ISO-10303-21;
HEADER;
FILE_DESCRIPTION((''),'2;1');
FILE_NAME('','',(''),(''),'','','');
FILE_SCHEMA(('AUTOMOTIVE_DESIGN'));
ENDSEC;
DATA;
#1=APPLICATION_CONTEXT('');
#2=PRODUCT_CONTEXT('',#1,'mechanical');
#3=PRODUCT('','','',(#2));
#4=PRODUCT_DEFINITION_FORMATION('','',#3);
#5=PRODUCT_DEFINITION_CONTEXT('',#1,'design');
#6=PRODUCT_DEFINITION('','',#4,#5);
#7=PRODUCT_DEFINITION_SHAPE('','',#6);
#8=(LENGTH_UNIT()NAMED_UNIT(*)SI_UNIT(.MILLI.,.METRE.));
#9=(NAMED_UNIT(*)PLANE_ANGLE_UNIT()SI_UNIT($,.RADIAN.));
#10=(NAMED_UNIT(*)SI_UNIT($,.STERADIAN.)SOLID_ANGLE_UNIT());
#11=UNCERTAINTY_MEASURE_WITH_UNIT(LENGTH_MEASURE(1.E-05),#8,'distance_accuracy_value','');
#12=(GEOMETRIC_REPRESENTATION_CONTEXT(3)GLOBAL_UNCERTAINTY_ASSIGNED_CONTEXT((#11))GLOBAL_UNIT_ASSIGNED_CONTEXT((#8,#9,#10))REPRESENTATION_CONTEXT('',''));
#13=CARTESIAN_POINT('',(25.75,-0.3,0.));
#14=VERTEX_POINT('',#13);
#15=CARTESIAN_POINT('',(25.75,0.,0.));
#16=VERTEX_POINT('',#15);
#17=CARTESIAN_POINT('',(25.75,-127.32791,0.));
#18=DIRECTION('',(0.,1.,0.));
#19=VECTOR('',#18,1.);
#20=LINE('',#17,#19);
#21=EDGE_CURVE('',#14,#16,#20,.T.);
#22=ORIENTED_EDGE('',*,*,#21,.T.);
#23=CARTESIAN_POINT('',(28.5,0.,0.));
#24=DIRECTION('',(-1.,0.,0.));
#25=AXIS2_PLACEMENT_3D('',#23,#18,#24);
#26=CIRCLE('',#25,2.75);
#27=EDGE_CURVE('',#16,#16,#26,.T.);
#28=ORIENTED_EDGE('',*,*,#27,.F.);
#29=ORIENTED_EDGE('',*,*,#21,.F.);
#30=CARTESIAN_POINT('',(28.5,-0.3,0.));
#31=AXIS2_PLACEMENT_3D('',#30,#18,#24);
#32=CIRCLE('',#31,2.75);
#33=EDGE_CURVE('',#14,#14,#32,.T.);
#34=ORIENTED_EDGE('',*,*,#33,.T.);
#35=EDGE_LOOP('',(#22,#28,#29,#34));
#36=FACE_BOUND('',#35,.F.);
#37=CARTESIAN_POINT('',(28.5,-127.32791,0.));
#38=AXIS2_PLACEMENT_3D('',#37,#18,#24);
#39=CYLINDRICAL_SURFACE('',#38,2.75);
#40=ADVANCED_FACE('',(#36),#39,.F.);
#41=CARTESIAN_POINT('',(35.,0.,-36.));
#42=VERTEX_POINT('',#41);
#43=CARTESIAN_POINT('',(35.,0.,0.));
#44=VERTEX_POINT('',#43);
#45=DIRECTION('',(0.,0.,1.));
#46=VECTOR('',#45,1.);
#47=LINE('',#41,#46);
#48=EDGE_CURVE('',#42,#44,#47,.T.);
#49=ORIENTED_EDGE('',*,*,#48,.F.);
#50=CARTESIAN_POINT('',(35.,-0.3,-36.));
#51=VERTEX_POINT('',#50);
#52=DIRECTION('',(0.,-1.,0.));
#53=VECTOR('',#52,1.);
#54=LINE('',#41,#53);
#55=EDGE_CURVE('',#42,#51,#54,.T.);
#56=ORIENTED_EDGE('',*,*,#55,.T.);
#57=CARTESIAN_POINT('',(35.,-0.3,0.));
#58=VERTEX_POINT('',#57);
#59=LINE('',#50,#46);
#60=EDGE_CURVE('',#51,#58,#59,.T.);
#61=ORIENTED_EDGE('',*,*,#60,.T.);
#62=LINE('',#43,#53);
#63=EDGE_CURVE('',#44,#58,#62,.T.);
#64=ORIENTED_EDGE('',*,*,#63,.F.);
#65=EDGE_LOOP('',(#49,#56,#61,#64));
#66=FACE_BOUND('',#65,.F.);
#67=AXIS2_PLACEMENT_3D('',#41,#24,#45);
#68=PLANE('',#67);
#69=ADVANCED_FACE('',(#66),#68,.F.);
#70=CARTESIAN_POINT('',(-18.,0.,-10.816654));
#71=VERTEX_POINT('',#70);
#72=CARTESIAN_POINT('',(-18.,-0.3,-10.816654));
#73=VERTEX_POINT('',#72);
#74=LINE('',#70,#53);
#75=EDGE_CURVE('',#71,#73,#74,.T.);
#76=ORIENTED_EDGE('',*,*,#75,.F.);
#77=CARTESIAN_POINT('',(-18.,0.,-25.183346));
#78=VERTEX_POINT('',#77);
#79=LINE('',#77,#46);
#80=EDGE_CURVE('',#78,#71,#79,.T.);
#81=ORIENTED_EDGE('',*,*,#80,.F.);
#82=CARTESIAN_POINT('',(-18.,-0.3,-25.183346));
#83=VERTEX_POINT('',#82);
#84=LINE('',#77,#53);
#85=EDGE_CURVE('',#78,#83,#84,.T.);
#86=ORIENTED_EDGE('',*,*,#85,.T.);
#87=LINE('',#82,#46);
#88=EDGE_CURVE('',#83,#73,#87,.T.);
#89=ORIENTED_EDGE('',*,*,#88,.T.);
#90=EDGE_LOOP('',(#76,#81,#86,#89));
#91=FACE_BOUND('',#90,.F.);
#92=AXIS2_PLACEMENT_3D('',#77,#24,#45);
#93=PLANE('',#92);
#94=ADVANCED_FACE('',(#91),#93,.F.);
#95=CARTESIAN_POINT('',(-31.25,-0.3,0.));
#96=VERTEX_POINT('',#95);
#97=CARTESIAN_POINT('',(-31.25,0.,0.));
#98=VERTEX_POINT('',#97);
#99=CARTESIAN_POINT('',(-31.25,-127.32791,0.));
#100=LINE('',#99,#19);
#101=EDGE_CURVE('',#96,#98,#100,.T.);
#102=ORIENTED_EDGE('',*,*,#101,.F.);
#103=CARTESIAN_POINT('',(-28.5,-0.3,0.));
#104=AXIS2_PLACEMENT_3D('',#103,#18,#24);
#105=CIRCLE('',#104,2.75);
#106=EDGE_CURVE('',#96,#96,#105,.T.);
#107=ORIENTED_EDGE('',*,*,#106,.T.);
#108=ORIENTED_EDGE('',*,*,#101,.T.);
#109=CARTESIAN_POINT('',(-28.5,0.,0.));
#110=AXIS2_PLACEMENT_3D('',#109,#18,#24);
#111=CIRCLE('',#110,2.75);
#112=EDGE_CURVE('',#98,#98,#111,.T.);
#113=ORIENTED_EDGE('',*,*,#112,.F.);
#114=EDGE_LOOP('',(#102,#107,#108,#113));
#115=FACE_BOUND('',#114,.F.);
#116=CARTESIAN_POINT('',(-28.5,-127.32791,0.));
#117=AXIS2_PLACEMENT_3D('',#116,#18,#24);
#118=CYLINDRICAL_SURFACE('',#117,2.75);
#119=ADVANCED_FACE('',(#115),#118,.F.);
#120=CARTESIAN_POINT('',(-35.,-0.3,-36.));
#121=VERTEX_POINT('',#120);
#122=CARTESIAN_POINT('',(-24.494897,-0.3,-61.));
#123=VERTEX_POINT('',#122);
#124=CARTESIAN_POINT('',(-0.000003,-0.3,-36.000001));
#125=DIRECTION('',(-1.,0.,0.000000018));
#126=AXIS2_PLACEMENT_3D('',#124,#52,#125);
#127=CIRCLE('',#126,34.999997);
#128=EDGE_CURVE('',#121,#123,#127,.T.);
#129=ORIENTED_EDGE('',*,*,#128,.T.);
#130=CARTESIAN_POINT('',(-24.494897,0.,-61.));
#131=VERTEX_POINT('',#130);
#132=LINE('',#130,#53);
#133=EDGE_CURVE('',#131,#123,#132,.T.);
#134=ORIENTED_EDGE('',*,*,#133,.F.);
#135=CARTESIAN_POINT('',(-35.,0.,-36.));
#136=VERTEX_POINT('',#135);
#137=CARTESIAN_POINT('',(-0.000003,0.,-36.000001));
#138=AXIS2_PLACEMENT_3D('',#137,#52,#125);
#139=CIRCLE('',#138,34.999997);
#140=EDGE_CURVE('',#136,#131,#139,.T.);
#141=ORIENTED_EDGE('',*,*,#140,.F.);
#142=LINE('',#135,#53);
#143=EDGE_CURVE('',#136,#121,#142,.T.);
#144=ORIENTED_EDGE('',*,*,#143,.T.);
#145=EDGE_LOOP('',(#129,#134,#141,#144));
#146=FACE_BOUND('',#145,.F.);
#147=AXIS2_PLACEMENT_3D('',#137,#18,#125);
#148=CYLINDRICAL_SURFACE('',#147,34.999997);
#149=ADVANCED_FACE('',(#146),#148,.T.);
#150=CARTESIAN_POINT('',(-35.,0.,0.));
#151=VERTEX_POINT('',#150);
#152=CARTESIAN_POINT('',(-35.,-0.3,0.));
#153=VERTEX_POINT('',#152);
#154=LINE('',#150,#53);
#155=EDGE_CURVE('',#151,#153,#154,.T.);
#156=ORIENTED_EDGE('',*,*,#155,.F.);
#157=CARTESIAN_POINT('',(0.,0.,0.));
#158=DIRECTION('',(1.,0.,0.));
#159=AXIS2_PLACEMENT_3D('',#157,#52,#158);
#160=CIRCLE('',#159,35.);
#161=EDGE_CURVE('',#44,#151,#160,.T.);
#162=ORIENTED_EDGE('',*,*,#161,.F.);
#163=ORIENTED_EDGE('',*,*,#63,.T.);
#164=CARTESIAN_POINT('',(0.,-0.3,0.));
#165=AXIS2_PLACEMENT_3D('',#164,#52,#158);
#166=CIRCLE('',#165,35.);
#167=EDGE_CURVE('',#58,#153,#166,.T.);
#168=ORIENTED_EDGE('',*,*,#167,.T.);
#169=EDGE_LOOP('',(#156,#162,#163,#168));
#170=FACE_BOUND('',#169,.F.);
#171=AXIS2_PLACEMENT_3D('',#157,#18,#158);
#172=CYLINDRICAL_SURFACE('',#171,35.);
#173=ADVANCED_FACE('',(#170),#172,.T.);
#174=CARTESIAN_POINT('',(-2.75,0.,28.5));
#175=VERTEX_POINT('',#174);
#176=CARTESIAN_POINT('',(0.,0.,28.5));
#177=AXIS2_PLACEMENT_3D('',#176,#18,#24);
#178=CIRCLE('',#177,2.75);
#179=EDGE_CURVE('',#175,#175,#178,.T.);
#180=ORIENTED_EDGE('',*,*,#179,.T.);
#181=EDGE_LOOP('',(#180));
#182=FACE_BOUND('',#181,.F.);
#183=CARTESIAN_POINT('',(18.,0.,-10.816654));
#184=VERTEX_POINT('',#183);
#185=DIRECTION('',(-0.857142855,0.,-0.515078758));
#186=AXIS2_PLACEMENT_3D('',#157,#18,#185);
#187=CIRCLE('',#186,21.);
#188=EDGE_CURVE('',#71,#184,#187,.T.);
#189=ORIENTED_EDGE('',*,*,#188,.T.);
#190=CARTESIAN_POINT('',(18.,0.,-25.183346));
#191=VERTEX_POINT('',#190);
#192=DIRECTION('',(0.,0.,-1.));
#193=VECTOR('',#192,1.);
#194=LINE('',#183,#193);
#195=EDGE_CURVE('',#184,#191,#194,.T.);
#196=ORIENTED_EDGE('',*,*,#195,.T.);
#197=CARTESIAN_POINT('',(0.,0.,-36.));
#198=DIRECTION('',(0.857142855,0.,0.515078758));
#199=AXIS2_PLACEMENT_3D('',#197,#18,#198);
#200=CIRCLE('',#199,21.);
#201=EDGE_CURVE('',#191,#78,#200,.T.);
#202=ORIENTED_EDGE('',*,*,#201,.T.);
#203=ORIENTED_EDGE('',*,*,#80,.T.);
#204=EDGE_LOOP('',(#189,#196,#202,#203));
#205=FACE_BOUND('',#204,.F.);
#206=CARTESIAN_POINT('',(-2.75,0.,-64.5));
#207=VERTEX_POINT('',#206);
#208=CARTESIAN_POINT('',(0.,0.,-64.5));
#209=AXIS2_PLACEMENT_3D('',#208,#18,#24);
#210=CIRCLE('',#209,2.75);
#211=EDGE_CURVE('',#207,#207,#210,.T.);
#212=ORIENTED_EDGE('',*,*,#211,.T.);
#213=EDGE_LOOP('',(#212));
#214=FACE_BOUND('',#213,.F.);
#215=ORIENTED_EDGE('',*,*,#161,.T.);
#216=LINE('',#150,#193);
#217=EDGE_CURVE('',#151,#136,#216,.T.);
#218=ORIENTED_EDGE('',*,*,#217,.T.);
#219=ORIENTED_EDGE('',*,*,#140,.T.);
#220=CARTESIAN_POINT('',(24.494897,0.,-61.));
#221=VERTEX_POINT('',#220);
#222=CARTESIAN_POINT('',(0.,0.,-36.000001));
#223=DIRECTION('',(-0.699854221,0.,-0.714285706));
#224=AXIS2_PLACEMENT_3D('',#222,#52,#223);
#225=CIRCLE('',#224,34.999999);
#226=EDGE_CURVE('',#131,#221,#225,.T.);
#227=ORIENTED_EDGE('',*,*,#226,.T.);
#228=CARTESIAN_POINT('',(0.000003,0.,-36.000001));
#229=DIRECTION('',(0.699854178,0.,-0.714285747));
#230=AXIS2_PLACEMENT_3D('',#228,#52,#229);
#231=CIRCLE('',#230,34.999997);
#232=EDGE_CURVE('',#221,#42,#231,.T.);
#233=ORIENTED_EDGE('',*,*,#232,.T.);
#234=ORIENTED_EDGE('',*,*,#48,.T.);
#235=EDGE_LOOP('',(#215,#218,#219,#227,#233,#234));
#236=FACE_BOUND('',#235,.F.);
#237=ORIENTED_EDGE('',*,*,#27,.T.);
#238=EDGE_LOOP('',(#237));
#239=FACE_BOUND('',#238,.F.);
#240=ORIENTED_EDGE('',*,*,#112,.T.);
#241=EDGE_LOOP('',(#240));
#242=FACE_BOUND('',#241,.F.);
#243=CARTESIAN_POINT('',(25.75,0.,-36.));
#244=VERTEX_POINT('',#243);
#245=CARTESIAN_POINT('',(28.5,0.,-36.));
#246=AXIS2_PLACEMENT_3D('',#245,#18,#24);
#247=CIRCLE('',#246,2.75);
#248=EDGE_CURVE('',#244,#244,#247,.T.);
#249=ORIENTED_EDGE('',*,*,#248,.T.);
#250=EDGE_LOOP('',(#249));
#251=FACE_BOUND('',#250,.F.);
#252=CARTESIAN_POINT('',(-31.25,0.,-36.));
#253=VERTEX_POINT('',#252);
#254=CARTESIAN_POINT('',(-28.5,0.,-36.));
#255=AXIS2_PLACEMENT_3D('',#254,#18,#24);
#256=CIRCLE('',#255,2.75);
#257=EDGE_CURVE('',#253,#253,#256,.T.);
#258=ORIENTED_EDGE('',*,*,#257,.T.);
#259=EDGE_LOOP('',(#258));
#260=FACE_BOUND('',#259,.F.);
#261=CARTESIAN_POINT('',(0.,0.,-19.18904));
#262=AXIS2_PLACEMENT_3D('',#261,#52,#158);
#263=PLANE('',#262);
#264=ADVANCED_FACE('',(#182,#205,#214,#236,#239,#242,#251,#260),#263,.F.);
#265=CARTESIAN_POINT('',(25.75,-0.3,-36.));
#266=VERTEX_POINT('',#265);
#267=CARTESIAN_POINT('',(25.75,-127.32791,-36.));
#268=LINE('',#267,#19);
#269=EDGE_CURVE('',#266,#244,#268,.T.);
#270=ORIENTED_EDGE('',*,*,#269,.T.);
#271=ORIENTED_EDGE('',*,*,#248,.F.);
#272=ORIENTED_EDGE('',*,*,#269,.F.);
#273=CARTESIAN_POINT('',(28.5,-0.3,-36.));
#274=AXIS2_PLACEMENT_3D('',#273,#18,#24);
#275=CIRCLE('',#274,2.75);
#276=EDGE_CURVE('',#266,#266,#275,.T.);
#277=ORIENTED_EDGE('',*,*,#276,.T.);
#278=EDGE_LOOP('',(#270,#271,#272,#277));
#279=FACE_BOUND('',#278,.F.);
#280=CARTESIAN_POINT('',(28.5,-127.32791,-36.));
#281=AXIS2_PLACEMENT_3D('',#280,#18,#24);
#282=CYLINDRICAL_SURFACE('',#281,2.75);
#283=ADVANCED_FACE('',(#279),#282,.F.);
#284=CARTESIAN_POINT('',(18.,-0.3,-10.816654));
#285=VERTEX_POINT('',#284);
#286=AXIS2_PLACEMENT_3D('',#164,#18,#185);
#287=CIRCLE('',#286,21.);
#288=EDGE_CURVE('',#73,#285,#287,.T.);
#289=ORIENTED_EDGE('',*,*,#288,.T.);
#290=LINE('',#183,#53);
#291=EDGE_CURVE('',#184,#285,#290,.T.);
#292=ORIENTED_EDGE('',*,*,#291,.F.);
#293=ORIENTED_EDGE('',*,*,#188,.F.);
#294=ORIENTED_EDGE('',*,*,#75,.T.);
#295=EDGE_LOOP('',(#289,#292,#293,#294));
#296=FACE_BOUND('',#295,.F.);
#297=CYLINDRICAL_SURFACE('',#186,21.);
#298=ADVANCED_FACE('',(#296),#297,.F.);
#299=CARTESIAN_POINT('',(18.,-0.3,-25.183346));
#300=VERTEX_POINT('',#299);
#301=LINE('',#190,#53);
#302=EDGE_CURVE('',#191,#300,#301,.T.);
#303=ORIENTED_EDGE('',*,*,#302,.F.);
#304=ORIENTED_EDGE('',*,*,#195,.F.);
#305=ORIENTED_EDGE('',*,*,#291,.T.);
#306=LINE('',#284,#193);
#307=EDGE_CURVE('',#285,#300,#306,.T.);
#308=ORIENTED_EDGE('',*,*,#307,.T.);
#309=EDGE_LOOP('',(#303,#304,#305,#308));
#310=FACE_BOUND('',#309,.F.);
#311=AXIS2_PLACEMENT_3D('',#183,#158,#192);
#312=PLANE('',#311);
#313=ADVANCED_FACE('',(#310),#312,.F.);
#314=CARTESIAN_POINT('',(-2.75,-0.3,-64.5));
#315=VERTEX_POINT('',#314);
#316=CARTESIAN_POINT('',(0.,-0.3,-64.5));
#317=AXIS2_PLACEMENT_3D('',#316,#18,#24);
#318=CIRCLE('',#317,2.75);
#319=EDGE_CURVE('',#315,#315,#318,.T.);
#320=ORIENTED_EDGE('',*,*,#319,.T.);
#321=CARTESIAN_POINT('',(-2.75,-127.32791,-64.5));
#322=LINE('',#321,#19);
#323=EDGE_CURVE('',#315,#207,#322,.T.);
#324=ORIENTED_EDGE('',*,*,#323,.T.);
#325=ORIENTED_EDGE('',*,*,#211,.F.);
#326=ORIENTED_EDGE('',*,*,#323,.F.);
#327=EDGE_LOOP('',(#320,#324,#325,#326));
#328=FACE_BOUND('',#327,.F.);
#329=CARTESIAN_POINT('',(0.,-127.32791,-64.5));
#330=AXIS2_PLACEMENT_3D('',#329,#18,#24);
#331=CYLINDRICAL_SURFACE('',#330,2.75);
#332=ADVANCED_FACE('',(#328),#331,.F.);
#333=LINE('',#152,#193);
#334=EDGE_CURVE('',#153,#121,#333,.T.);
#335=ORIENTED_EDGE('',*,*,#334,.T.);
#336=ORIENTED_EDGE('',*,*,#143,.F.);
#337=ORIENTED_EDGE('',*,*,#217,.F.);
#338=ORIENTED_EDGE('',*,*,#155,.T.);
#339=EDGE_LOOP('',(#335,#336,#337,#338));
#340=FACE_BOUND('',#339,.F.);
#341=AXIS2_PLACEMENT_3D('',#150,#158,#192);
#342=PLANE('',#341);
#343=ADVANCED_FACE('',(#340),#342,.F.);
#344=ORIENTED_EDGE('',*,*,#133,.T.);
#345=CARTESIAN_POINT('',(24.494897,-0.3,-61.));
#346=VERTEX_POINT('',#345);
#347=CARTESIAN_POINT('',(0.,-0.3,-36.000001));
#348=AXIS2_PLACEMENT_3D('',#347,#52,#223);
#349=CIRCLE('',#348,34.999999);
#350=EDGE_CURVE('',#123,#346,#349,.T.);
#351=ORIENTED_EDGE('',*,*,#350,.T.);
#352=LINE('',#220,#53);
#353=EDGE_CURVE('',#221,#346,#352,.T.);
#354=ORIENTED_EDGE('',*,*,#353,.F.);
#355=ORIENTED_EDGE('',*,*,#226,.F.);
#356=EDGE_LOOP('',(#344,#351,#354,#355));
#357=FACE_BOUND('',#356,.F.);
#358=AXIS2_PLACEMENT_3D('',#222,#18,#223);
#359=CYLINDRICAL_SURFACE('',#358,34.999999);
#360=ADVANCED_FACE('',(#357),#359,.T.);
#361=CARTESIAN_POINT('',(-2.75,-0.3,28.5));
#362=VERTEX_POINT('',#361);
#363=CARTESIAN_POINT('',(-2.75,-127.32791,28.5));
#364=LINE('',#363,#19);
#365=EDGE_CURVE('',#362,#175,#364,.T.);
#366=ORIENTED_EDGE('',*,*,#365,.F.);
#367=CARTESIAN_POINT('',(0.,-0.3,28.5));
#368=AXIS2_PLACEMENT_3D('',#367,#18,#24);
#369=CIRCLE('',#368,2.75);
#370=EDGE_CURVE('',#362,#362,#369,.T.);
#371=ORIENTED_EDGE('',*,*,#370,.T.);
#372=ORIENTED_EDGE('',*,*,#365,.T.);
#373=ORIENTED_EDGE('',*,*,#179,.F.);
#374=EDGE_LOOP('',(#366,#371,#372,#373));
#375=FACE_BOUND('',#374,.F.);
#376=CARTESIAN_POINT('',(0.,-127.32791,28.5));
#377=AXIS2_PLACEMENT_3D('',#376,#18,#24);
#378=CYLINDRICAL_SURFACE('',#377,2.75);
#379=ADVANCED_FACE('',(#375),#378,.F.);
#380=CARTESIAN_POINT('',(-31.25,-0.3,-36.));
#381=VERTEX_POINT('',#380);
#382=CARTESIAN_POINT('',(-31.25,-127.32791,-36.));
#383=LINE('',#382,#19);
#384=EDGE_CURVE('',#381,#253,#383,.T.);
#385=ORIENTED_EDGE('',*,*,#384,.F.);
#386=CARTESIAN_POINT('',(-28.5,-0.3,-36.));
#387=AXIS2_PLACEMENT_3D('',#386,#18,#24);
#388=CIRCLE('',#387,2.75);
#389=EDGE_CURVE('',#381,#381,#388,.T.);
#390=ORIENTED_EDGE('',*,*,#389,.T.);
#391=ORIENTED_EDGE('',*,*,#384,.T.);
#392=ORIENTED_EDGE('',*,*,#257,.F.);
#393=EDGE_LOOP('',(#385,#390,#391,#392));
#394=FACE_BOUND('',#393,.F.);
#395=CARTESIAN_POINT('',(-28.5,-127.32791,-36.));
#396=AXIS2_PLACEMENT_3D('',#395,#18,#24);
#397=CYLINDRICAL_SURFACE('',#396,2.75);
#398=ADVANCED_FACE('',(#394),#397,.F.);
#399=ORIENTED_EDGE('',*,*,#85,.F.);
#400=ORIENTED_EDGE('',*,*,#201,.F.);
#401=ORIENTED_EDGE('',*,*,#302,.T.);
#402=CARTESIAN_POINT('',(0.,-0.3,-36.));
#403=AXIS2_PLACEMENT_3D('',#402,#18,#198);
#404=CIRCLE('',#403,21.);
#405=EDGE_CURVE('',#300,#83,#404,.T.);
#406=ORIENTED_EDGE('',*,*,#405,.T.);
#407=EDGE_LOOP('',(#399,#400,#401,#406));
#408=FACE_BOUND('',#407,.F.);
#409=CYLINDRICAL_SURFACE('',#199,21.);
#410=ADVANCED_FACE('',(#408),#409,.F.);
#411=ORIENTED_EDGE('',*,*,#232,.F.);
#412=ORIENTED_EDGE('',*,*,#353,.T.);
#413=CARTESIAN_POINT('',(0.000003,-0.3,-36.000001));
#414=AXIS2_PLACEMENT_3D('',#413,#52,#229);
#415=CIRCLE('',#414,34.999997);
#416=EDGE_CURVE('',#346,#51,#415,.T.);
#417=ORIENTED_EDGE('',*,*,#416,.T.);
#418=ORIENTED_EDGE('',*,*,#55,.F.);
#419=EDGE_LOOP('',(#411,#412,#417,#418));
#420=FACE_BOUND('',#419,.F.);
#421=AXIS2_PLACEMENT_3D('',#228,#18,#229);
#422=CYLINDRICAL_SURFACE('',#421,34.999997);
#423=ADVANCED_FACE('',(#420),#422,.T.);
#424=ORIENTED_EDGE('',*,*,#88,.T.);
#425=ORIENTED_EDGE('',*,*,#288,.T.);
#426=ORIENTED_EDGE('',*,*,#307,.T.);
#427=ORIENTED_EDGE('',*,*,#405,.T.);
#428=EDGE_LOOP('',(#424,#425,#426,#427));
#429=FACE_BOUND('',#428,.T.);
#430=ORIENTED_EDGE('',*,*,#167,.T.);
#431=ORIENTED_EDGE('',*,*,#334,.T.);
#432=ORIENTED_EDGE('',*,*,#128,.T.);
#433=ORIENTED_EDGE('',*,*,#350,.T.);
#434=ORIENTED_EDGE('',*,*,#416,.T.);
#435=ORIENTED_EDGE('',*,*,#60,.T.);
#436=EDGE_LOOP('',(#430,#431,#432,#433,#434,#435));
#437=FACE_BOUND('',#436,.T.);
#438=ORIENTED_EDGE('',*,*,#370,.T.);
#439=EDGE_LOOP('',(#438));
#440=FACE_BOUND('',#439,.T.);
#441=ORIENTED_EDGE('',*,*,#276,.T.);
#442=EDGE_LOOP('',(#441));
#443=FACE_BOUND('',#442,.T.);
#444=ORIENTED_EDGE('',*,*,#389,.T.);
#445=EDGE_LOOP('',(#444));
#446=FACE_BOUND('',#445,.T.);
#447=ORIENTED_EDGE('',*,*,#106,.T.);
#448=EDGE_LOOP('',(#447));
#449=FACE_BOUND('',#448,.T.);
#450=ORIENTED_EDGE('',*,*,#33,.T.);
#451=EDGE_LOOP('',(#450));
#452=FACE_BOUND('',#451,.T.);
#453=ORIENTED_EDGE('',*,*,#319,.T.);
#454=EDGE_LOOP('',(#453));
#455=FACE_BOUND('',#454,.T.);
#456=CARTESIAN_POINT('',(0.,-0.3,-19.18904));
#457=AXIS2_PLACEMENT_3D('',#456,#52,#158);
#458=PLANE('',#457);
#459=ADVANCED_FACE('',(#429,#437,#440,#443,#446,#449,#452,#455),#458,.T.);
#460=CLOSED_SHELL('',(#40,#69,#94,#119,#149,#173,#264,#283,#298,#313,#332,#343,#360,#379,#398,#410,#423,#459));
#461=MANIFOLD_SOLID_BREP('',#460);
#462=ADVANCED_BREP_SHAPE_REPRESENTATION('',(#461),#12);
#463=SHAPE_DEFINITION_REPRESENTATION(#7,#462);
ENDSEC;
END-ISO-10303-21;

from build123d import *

# Parameters (mm, degrees)
F1_DEPTH = 0.3
F3_D     = 5.5


with BuildPart() as f1:
    # F0 (on Front) → F1 (new body)
    with BuildSketch(Plane.XZ):
        with BuildLine():
            ThreePointArc((24.494897, -61), (32.267022, -49.558735), (35, -36))
            Line((35, -36), (35, -25.483315))
            Line((35, -25.483315), (35, -18))
            Line((35, -18), (35, -10.516685))
            Line((35, -10.516685), (35, 0))
            ThreePointArc((35, 0), (0, 35), (-35, 0))
            Line((-35, 0), (-35, -10.516685))
            Line((-35, -10.516685), (-35, -18))
            Line((-35, -18), (-35, -25.483315))
            Line((-35, -25.483315), (-35, -36))
            ThreePointArc((-35, -36), (-32.267022, -49.558735), (-24.494897, -61))
            ThreePointArc((-24.494897, -61), (0, -71), (24.494897, -61))
        make_face()
        with BuildLine():
            Line((-18, -25.183346), (-18, -10.816654))
            ThreePointArc((-18, -10.816654), (0, 21), (18, -10.816654))
            Line((18, -10.816654), (18, -25.183346))
            ThreePointArc((18, -25.183346), (0, -57), (-18, -25.183346))
        make_face(mode=Mode.SUBTRACT)
    extrude(amount=F1_DEPTH)

    # F3 (through all)
    with Locations(Plane.XZ.offset(0.3)):
        with Locations((0, 28.5), (-28.5, 0), (-28.5, -36), (0, -64.5), (28.5, -36), (28.5, 0)):
            Hole(F3_D / 2)


solid = f1.part
